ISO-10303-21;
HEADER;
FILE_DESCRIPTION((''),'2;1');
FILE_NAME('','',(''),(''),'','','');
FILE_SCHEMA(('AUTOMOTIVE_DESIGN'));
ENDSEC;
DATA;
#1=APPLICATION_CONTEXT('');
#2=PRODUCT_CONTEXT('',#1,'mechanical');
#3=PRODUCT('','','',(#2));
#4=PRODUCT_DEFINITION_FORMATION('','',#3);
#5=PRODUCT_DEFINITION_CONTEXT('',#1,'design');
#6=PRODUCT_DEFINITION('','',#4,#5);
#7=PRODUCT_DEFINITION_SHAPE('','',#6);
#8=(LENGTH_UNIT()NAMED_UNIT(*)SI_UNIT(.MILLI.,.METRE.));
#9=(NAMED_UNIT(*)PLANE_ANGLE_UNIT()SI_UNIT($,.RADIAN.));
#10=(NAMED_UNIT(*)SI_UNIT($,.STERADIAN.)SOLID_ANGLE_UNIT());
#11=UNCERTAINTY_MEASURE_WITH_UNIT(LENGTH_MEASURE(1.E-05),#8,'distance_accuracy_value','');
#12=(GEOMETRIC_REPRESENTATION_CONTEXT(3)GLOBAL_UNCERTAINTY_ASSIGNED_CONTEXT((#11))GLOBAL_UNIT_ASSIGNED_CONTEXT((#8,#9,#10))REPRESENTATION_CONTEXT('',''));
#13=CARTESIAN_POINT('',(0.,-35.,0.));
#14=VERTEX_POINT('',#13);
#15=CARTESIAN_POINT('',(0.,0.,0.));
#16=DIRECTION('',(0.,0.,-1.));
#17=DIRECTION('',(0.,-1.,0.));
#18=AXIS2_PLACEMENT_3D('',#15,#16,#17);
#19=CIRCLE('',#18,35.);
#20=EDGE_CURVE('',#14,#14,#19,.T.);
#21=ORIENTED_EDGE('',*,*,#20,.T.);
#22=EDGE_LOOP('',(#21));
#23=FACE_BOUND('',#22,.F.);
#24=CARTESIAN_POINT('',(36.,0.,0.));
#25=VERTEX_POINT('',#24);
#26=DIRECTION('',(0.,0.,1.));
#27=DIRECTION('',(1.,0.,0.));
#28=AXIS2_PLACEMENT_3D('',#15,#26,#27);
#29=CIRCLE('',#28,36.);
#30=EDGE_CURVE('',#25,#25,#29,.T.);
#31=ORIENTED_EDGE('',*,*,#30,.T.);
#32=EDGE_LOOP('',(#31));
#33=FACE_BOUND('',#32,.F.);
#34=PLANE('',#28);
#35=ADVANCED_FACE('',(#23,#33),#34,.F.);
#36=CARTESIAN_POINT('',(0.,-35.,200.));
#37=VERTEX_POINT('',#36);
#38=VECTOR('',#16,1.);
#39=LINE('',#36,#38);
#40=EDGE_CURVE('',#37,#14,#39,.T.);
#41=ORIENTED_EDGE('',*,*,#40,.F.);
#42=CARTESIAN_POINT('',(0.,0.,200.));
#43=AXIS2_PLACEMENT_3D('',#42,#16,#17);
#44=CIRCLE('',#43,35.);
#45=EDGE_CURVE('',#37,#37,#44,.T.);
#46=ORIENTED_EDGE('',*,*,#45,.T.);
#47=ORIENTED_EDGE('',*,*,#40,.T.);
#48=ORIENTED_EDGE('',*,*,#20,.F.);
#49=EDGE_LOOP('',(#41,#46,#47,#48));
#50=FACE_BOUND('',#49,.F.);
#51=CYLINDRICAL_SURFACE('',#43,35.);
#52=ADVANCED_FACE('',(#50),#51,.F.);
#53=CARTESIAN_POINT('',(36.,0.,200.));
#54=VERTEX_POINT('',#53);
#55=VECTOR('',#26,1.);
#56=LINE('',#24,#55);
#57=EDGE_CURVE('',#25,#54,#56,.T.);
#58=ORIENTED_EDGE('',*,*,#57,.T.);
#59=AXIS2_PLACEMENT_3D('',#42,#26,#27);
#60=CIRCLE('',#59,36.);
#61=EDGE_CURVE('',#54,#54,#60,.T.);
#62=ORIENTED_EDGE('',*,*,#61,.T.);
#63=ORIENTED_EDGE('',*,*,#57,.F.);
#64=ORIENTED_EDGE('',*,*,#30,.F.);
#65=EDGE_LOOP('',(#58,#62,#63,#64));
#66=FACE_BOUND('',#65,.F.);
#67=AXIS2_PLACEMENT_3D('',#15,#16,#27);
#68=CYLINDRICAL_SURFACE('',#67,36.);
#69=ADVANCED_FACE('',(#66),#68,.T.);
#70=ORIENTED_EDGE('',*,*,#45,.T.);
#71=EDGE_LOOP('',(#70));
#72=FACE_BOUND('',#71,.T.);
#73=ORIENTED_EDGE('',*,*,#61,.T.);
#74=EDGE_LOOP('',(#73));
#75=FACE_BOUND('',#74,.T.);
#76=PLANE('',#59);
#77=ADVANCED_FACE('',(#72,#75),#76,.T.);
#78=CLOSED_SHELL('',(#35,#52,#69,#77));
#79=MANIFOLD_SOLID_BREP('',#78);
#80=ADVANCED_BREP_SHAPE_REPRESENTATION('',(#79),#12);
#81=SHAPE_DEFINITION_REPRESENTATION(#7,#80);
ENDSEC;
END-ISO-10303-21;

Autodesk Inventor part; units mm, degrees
ref_plane "YZ Plane" through (0, 0, 0) normal (1, 0, 0) x (0, 1, 0)
ref_plane "XZ Plane" through (0, 0, 0) normal (0, 1, 0) x (-1, 0, 0)
ref_plane "XY Plane" through (0, 0, 0) normal (0, 0, 1) x (1, 0, 0)
sketch "Sketch1" plane through (0, 0, 0) normal (0, 0, 1) x (1, 0, 0)
  circle A0 centre (0, 0) radius 36
  dimension "d0" = 72
extrude "Extrusion1" add sketch "Sketch1" along normal blind 200
sketch "Sketch2" plane through (0, 0, 200) normal (0, 0, 1) x (1, 0, 0)
  circle A0 centre (0, 0) radius 36 projected
  circle A1 centre (0, 0) radius 36 projected
hole "Hole1" at (0, 0, 200) direction (0, 0, -1) diameter 70 end through all
properties part number "rat_cylinder"
